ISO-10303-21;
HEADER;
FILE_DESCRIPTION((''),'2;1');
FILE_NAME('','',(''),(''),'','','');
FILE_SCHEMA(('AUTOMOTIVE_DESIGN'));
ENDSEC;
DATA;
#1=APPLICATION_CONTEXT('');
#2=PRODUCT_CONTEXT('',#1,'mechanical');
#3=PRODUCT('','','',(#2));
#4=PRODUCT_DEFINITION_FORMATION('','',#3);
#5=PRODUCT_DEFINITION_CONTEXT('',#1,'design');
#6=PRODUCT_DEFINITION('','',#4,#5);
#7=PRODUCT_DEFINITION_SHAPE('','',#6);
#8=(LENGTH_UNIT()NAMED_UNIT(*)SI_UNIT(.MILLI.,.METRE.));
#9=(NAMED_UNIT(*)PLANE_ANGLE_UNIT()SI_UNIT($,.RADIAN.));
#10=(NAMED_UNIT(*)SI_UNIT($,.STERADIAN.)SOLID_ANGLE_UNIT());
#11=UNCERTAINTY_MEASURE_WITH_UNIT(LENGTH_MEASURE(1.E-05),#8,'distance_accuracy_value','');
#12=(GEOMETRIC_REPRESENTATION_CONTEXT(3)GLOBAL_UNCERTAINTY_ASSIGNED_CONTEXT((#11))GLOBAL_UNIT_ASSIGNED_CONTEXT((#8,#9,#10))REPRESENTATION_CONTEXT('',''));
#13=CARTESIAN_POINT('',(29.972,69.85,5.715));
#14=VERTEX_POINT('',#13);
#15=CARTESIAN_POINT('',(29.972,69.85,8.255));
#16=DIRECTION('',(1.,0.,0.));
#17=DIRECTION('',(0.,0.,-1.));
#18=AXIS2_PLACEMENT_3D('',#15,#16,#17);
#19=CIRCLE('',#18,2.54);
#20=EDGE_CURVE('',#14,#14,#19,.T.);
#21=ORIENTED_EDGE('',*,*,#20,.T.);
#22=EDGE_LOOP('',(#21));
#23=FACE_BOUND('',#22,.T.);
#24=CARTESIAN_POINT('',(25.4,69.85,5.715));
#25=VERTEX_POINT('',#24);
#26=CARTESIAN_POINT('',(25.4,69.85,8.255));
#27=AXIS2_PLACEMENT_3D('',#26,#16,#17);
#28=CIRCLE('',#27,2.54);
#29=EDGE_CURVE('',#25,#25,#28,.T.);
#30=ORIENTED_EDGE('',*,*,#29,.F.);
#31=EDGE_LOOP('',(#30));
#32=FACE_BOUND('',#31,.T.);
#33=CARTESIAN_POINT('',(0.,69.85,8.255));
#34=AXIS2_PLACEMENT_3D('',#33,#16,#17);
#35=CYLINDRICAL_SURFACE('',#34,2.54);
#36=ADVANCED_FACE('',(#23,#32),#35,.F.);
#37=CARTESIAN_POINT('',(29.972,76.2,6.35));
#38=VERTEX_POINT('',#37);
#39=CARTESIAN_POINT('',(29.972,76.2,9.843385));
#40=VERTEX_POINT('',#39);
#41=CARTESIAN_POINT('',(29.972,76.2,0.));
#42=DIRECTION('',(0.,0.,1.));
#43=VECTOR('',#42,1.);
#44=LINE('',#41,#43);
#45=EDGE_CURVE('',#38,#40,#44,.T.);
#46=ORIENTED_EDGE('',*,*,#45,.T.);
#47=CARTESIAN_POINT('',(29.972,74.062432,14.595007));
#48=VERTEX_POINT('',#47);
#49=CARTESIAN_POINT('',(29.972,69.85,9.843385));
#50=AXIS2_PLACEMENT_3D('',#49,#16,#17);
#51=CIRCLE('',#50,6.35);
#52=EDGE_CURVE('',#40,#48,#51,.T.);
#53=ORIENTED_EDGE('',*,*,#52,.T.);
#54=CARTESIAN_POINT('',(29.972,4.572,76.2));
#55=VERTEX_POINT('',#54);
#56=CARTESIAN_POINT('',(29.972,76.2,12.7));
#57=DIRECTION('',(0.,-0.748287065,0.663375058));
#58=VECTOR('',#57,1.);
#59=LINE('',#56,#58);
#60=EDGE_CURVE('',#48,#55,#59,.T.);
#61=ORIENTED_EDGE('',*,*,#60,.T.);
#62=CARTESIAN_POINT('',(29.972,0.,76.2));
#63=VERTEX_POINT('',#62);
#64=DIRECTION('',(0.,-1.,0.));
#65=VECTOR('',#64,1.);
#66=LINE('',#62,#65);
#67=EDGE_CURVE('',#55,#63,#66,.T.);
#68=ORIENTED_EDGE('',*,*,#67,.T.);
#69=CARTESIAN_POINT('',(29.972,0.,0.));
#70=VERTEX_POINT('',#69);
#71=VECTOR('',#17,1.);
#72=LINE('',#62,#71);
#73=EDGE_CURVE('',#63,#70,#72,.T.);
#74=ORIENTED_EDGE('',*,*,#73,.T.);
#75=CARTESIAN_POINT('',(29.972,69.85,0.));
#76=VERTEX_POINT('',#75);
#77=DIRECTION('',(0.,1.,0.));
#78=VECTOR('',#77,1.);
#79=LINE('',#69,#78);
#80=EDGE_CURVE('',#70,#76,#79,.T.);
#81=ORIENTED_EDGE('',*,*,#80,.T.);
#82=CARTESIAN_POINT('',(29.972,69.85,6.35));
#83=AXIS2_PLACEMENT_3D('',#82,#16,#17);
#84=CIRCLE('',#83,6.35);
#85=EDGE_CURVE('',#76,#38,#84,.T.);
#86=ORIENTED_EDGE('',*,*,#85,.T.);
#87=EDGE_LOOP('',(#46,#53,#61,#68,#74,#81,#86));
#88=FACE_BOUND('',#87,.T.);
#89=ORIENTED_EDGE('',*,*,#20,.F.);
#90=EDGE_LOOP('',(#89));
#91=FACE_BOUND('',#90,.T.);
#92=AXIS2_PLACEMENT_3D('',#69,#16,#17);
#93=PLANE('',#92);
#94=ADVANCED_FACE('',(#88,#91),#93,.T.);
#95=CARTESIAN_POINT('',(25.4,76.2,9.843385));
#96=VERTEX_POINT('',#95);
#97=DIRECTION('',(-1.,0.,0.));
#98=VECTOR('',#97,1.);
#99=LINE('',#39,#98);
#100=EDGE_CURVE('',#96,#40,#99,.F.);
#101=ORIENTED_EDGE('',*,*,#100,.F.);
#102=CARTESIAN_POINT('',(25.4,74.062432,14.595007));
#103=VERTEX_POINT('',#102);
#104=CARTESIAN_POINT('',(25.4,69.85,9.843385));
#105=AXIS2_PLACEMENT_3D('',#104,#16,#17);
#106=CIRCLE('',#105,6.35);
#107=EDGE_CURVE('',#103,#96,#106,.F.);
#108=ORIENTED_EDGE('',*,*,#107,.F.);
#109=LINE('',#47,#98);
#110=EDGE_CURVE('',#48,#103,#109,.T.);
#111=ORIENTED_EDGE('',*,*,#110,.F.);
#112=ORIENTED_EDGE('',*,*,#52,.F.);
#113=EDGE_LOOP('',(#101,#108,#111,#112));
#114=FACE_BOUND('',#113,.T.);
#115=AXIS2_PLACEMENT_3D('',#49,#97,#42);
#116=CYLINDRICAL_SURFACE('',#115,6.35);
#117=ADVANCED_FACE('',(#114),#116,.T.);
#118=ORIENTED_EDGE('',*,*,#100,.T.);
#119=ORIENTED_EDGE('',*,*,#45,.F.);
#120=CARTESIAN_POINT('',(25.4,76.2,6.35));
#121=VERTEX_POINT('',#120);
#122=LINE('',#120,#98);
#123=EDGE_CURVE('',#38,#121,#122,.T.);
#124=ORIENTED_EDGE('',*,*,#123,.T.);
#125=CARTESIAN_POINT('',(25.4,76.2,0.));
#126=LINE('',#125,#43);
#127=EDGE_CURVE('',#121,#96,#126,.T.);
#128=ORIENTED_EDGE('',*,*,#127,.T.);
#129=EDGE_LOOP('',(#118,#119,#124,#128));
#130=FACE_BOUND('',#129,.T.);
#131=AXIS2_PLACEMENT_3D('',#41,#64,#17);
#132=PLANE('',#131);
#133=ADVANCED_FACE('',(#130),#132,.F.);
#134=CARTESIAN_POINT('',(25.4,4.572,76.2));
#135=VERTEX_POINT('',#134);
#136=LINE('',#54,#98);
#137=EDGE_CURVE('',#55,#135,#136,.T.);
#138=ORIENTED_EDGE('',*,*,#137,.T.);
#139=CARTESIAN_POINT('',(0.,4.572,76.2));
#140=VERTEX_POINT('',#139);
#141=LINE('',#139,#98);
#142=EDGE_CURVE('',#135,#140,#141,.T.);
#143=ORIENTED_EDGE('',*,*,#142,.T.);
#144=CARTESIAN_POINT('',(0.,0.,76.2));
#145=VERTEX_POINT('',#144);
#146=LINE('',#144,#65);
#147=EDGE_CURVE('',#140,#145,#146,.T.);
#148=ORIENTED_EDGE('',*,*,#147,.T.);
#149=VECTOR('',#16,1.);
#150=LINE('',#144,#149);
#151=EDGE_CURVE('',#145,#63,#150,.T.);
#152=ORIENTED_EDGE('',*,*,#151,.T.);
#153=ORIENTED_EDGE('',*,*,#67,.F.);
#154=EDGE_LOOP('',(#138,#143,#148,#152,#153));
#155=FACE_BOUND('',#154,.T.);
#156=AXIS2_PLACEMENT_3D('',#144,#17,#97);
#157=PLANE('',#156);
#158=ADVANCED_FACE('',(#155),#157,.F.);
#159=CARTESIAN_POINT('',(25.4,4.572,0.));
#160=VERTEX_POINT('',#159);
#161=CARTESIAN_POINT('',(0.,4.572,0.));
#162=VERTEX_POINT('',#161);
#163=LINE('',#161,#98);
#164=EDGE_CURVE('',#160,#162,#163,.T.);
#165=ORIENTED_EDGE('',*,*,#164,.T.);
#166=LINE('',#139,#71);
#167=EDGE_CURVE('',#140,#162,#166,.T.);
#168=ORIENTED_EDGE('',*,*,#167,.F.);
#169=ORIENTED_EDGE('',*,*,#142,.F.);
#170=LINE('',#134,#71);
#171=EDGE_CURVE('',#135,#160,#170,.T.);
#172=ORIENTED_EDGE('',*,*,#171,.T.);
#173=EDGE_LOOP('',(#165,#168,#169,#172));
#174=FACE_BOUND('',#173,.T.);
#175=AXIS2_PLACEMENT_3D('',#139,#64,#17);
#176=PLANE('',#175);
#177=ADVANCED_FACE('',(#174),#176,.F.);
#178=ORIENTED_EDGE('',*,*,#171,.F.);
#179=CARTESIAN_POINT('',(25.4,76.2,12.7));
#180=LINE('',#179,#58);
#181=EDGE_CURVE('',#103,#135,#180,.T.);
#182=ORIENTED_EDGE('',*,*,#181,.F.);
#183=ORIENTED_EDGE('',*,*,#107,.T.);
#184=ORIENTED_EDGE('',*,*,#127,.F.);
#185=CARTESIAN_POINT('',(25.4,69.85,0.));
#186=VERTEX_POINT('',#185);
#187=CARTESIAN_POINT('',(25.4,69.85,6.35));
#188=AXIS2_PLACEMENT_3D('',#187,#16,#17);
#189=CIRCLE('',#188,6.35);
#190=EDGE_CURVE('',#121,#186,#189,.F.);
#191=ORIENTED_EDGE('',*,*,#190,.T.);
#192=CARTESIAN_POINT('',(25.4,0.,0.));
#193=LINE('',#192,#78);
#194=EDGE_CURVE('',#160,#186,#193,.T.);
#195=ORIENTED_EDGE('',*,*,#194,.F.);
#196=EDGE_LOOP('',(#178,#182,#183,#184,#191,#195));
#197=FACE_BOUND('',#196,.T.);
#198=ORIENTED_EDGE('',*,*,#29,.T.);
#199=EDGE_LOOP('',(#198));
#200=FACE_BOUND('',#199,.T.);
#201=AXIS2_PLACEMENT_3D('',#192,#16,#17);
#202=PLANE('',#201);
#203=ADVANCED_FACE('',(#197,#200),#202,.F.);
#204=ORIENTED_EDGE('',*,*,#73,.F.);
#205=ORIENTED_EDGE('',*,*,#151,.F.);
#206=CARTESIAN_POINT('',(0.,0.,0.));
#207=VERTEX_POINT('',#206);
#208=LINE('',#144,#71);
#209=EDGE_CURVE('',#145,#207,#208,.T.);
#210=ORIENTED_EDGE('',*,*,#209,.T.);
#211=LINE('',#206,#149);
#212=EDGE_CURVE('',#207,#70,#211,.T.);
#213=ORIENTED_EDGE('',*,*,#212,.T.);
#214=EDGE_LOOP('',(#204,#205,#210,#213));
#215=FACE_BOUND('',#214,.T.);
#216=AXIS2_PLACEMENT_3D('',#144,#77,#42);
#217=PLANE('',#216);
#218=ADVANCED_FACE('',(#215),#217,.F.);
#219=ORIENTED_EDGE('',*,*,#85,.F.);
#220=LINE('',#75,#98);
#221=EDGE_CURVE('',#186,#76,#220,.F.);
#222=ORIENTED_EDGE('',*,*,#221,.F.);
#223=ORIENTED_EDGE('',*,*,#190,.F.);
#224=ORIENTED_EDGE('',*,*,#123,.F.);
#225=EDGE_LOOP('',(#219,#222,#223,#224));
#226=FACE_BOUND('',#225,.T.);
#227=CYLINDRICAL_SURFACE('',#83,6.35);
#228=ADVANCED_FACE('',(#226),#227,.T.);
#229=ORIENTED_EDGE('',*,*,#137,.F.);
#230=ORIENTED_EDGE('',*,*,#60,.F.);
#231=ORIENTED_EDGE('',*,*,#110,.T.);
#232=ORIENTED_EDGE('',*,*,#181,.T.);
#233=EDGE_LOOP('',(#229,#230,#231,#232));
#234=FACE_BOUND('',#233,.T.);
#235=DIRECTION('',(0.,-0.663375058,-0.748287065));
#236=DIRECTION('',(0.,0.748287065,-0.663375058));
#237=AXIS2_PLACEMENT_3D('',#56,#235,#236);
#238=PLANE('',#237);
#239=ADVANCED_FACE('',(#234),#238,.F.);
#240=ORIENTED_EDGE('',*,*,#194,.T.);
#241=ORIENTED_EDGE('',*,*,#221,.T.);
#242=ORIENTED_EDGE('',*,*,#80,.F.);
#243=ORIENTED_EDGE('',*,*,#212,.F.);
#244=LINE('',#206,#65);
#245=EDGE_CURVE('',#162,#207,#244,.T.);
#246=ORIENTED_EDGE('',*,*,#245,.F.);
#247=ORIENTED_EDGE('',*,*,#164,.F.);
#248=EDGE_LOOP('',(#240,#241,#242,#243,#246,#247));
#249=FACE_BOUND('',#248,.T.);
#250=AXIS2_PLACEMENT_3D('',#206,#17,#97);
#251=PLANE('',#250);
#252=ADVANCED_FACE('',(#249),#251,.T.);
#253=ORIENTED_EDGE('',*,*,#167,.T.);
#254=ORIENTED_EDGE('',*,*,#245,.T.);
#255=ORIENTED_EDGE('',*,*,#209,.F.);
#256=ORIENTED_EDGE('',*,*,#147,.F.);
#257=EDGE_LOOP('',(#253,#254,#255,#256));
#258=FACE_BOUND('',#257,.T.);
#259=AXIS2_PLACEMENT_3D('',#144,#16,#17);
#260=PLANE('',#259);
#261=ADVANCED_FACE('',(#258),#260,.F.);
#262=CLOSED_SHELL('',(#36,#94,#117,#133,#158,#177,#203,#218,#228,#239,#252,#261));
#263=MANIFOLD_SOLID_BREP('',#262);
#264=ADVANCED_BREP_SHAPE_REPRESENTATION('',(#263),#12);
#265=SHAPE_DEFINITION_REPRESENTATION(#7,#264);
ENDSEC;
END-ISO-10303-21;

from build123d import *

# Parameters (mm, degrees)
SKETCH1_W           = 25.4
SKETCH1_H           = 4.572
BOSS_EXTRUDE1_DEPTH = 76.2
BOSS_EXTRUDE3_DEPTH = 4.572
FILLET3_R           = 6.35
SKETCH5_R           = 2.54
CUT_EXTRUDE2_DEPTH  = 112.853479088


with BuildPart() as part:
    # Sketch1 → Boss-Extrude1 (new body)
    with BuildSketch(Plane.XY):
        with Locations((12.7, 2.286)):
            Rectangle(SKETCH1_W, SKETCH1_H)
    extrude(amount=BOSS_EXTRUDE1_DEPTH)

    # Sketch4 → Boss-Extrude3 (add)
    with BuildSketch(Plane(origin=(25.4, 0, 0), x_dir=(0, 0, -1), z_dir=(1, 0, 0))):
        Polygon((-76.2, 0), (-76.2, 4.572), (-12.7, 76.2), (0, 76.2), (0, 0), align=None)
    extrude(amount=BOSS_EXTRUDE3_DEPTH)

    # Fillet3
    fillet3_edges = [part.edges().sort_by_distance(p)[0] for p in [
        (27.686, 76.2, 0),
        (27.686, 76.2, 12.7),
    ]]
    fillet(fillet3_edges, radius=FILLET3_R)

    # Sketch5 → Cut-Extrude2 (cut, through all)
    with BuildSketch(Plane(origin=(29.972, 0, 0), x_dir=(0, 0, -1), z_dir=(1, 0, 0))):
        with Locations((-8.255, 69.85)):
            Circle(SKETCH5_R)
    extrude(amount=-CUT_EXTRUDE2_DEPTH, mode=Mode.SUBTRACT)


solid = part.part
